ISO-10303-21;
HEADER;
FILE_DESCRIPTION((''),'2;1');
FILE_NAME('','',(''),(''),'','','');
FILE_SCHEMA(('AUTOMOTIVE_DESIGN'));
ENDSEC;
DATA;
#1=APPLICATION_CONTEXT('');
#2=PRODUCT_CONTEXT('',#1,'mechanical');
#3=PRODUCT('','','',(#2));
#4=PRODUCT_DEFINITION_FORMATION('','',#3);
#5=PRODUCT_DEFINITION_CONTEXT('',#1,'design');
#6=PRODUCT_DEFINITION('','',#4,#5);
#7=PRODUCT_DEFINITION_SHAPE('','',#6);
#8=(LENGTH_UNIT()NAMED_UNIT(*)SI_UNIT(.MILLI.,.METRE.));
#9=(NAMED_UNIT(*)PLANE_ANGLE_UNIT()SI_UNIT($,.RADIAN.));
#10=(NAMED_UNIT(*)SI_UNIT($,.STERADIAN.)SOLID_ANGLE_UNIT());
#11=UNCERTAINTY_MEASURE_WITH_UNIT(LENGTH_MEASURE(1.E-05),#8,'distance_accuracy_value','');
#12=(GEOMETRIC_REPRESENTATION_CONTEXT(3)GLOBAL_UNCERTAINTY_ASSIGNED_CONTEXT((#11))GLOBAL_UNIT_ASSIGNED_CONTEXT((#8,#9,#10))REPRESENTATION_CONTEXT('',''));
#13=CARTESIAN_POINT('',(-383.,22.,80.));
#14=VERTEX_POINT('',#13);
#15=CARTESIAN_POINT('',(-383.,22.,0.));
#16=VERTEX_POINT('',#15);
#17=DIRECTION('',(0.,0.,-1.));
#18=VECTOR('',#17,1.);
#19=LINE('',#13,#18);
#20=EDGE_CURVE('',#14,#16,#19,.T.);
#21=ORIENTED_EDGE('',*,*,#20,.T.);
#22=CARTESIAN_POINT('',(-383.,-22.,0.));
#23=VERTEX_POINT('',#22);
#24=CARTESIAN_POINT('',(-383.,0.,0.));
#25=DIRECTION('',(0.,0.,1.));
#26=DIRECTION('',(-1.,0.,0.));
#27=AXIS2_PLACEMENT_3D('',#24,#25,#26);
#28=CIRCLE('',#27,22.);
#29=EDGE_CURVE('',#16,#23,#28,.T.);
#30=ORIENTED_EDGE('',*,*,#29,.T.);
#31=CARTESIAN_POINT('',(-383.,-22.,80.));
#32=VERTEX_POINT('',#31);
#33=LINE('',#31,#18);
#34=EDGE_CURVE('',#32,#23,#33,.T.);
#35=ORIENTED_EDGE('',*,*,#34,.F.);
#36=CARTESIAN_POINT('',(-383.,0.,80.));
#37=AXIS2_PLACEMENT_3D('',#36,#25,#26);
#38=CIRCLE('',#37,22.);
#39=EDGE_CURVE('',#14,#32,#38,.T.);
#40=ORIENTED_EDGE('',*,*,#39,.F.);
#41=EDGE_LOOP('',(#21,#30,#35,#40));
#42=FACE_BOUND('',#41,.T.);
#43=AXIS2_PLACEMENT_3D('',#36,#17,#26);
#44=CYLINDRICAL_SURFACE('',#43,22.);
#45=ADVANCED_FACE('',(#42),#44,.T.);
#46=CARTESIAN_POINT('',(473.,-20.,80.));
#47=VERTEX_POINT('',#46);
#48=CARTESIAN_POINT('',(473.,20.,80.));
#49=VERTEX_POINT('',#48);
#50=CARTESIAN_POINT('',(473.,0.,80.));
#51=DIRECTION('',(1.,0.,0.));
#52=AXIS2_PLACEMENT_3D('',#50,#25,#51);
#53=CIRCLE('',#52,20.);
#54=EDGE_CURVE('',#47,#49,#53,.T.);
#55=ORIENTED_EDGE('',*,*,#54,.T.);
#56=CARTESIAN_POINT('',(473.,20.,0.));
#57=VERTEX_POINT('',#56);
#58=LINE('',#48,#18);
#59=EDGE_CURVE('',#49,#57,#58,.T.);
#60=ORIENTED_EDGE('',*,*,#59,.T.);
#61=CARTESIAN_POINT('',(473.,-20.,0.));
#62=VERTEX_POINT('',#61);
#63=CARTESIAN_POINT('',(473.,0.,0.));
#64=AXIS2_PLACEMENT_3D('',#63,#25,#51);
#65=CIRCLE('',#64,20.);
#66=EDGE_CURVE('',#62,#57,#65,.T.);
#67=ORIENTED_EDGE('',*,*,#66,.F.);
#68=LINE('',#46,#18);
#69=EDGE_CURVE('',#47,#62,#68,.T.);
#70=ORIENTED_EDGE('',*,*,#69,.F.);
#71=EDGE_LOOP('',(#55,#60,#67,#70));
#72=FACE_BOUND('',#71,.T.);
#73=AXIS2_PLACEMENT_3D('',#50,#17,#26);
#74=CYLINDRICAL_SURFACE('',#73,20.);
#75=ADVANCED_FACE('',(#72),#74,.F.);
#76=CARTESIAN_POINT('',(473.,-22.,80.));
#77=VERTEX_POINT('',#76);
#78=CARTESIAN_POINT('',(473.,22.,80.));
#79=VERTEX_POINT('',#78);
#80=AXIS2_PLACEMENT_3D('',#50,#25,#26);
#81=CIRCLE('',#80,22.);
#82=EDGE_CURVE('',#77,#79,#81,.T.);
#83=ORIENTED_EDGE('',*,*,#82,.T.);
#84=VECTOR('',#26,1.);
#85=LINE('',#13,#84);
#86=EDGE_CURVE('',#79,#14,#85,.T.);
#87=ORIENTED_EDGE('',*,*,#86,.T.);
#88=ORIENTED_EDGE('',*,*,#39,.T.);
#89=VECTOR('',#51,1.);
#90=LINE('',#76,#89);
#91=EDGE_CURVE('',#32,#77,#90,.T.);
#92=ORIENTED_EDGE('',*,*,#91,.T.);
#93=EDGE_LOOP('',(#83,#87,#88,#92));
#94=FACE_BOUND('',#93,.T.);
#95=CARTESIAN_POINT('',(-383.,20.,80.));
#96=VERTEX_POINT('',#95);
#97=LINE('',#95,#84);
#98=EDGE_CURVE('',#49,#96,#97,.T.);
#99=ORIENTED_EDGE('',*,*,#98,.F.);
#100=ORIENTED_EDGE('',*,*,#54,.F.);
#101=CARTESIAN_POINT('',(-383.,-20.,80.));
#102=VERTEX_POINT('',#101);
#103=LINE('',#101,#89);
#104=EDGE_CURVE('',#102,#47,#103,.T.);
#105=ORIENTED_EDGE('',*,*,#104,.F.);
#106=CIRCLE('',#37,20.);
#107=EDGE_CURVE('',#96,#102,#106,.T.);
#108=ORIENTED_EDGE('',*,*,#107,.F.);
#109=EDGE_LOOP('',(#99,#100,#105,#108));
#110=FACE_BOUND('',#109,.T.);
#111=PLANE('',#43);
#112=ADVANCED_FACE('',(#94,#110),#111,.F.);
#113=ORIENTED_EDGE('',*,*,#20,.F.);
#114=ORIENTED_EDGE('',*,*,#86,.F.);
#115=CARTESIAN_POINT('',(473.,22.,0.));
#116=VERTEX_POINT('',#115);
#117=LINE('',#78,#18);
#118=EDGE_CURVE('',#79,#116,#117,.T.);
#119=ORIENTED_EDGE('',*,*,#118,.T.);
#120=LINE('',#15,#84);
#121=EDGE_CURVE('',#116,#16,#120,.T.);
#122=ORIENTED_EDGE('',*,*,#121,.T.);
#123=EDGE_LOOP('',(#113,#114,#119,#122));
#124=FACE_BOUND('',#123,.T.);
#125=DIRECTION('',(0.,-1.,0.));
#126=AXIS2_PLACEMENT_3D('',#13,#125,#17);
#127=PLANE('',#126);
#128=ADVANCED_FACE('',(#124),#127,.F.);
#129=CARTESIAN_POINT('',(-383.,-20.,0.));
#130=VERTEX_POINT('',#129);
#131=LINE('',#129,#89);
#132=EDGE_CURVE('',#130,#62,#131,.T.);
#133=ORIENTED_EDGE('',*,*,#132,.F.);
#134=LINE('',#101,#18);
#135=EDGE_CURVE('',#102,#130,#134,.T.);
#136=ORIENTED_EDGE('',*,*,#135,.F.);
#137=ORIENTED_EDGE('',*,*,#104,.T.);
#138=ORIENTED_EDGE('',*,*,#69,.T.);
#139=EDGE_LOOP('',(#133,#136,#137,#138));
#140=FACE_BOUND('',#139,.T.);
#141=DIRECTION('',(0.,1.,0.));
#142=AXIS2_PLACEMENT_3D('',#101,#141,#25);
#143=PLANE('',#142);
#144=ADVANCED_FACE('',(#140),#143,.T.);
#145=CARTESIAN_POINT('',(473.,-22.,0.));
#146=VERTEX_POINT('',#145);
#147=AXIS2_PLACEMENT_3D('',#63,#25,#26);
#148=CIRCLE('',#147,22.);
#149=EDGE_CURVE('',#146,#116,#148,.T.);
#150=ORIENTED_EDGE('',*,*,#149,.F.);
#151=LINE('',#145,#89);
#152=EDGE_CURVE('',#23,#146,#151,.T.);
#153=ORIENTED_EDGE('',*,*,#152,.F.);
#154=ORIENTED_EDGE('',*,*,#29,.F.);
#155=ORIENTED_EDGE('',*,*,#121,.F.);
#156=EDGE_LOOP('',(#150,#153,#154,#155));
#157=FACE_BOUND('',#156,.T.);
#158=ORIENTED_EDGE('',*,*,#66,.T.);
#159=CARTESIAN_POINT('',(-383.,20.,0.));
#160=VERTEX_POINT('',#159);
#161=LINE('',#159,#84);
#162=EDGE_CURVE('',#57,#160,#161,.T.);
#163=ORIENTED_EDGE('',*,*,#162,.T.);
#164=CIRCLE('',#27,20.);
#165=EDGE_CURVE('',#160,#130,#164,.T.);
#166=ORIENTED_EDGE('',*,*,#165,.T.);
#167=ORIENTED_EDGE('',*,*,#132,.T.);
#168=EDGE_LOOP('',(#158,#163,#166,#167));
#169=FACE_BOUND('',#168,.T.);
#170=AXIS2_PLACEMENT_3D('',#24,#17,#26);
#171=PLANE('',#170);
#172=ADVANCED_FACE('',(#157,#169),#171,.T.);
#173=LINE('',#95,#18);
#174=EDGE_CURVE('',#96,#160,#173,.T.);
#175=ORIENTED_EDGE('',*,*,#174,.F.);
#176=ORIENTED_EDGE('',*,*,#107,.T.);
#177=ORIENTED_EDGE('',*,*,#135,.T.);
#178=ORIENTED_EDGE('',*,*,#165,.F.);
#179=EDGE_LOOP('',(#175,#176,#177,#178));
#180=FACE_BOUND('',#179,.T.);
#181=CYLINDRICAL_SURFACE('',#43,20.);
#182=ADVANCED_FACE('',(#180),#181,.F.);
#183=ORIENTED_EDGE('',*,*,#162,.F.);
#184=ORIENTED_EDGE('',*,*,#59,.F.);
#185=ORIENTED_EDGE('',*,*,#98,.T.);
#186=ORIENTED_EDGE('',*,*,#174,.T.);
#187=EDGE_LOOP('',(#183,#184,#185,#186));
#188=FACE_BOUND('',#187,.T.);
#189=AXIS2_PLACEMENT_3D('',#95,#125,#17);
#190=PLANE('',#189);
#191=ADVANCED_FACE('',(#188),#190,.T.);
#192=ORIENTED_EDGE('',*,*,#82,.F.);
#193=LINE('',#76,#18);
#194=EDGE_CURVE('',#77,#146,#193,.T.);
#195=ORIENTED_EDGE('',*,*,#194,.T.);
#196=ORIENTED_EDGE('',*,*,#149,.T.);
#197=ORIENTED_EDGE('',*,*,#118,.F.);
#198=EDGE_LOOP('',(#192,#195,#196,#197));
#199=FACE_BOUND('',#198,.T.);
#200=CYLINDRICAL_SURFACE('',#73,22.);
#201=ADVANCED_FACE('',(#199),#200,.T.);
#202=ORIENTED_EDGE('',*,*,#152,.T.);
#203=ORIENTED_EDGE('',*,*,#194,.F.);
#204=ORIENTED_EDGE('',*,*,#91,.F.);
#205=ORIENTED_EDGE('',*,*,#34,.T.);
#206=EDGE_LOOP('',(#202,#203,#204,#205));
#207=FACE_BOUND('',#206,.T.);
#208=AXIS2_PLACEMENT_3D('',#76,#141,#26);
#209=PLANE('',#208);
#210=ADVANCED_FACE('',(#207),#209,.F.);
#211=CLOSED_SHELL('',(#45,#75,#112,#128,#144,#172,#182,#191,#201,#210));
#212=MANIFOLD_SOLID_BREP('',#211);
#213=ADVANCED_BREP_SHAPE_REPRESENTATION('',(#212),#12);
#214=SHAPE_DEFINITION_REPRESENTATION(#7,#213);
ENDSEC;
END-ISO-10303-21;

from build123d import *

# Parameters (mm, degrees)
BOSS_EXTRUDE1_DEPTH = 80


with BuildPart() as part:
    # Sketch1 → Boss-Extrude1 (new body)
    with BuildSketch(Plane.XY):
        with BuildLine():
            Line((-383, 22), (473, 22))
            ThreePointArc((473, 22), (495, 0), (473, -22))
            Line((473, -22), (-383, -22))
            ThreePointArc((-383, -22), (-405, 0), (-383, 22))
        make_face()
        with BuildLine():
            Line((-383, 20), (473, 20))
            ThreePointArc((473, 20), (493, 0), (473, -20))
            Line((473, -20), (-383, -20))
            ThreePointArc((-383, -20), (-403, 0), (-383, 20))
        make_face(mode=Mode.SUBTRACT)
    extrude(amount=BOSS_EXTRUDE1_DEPTH)


solid = part.part
